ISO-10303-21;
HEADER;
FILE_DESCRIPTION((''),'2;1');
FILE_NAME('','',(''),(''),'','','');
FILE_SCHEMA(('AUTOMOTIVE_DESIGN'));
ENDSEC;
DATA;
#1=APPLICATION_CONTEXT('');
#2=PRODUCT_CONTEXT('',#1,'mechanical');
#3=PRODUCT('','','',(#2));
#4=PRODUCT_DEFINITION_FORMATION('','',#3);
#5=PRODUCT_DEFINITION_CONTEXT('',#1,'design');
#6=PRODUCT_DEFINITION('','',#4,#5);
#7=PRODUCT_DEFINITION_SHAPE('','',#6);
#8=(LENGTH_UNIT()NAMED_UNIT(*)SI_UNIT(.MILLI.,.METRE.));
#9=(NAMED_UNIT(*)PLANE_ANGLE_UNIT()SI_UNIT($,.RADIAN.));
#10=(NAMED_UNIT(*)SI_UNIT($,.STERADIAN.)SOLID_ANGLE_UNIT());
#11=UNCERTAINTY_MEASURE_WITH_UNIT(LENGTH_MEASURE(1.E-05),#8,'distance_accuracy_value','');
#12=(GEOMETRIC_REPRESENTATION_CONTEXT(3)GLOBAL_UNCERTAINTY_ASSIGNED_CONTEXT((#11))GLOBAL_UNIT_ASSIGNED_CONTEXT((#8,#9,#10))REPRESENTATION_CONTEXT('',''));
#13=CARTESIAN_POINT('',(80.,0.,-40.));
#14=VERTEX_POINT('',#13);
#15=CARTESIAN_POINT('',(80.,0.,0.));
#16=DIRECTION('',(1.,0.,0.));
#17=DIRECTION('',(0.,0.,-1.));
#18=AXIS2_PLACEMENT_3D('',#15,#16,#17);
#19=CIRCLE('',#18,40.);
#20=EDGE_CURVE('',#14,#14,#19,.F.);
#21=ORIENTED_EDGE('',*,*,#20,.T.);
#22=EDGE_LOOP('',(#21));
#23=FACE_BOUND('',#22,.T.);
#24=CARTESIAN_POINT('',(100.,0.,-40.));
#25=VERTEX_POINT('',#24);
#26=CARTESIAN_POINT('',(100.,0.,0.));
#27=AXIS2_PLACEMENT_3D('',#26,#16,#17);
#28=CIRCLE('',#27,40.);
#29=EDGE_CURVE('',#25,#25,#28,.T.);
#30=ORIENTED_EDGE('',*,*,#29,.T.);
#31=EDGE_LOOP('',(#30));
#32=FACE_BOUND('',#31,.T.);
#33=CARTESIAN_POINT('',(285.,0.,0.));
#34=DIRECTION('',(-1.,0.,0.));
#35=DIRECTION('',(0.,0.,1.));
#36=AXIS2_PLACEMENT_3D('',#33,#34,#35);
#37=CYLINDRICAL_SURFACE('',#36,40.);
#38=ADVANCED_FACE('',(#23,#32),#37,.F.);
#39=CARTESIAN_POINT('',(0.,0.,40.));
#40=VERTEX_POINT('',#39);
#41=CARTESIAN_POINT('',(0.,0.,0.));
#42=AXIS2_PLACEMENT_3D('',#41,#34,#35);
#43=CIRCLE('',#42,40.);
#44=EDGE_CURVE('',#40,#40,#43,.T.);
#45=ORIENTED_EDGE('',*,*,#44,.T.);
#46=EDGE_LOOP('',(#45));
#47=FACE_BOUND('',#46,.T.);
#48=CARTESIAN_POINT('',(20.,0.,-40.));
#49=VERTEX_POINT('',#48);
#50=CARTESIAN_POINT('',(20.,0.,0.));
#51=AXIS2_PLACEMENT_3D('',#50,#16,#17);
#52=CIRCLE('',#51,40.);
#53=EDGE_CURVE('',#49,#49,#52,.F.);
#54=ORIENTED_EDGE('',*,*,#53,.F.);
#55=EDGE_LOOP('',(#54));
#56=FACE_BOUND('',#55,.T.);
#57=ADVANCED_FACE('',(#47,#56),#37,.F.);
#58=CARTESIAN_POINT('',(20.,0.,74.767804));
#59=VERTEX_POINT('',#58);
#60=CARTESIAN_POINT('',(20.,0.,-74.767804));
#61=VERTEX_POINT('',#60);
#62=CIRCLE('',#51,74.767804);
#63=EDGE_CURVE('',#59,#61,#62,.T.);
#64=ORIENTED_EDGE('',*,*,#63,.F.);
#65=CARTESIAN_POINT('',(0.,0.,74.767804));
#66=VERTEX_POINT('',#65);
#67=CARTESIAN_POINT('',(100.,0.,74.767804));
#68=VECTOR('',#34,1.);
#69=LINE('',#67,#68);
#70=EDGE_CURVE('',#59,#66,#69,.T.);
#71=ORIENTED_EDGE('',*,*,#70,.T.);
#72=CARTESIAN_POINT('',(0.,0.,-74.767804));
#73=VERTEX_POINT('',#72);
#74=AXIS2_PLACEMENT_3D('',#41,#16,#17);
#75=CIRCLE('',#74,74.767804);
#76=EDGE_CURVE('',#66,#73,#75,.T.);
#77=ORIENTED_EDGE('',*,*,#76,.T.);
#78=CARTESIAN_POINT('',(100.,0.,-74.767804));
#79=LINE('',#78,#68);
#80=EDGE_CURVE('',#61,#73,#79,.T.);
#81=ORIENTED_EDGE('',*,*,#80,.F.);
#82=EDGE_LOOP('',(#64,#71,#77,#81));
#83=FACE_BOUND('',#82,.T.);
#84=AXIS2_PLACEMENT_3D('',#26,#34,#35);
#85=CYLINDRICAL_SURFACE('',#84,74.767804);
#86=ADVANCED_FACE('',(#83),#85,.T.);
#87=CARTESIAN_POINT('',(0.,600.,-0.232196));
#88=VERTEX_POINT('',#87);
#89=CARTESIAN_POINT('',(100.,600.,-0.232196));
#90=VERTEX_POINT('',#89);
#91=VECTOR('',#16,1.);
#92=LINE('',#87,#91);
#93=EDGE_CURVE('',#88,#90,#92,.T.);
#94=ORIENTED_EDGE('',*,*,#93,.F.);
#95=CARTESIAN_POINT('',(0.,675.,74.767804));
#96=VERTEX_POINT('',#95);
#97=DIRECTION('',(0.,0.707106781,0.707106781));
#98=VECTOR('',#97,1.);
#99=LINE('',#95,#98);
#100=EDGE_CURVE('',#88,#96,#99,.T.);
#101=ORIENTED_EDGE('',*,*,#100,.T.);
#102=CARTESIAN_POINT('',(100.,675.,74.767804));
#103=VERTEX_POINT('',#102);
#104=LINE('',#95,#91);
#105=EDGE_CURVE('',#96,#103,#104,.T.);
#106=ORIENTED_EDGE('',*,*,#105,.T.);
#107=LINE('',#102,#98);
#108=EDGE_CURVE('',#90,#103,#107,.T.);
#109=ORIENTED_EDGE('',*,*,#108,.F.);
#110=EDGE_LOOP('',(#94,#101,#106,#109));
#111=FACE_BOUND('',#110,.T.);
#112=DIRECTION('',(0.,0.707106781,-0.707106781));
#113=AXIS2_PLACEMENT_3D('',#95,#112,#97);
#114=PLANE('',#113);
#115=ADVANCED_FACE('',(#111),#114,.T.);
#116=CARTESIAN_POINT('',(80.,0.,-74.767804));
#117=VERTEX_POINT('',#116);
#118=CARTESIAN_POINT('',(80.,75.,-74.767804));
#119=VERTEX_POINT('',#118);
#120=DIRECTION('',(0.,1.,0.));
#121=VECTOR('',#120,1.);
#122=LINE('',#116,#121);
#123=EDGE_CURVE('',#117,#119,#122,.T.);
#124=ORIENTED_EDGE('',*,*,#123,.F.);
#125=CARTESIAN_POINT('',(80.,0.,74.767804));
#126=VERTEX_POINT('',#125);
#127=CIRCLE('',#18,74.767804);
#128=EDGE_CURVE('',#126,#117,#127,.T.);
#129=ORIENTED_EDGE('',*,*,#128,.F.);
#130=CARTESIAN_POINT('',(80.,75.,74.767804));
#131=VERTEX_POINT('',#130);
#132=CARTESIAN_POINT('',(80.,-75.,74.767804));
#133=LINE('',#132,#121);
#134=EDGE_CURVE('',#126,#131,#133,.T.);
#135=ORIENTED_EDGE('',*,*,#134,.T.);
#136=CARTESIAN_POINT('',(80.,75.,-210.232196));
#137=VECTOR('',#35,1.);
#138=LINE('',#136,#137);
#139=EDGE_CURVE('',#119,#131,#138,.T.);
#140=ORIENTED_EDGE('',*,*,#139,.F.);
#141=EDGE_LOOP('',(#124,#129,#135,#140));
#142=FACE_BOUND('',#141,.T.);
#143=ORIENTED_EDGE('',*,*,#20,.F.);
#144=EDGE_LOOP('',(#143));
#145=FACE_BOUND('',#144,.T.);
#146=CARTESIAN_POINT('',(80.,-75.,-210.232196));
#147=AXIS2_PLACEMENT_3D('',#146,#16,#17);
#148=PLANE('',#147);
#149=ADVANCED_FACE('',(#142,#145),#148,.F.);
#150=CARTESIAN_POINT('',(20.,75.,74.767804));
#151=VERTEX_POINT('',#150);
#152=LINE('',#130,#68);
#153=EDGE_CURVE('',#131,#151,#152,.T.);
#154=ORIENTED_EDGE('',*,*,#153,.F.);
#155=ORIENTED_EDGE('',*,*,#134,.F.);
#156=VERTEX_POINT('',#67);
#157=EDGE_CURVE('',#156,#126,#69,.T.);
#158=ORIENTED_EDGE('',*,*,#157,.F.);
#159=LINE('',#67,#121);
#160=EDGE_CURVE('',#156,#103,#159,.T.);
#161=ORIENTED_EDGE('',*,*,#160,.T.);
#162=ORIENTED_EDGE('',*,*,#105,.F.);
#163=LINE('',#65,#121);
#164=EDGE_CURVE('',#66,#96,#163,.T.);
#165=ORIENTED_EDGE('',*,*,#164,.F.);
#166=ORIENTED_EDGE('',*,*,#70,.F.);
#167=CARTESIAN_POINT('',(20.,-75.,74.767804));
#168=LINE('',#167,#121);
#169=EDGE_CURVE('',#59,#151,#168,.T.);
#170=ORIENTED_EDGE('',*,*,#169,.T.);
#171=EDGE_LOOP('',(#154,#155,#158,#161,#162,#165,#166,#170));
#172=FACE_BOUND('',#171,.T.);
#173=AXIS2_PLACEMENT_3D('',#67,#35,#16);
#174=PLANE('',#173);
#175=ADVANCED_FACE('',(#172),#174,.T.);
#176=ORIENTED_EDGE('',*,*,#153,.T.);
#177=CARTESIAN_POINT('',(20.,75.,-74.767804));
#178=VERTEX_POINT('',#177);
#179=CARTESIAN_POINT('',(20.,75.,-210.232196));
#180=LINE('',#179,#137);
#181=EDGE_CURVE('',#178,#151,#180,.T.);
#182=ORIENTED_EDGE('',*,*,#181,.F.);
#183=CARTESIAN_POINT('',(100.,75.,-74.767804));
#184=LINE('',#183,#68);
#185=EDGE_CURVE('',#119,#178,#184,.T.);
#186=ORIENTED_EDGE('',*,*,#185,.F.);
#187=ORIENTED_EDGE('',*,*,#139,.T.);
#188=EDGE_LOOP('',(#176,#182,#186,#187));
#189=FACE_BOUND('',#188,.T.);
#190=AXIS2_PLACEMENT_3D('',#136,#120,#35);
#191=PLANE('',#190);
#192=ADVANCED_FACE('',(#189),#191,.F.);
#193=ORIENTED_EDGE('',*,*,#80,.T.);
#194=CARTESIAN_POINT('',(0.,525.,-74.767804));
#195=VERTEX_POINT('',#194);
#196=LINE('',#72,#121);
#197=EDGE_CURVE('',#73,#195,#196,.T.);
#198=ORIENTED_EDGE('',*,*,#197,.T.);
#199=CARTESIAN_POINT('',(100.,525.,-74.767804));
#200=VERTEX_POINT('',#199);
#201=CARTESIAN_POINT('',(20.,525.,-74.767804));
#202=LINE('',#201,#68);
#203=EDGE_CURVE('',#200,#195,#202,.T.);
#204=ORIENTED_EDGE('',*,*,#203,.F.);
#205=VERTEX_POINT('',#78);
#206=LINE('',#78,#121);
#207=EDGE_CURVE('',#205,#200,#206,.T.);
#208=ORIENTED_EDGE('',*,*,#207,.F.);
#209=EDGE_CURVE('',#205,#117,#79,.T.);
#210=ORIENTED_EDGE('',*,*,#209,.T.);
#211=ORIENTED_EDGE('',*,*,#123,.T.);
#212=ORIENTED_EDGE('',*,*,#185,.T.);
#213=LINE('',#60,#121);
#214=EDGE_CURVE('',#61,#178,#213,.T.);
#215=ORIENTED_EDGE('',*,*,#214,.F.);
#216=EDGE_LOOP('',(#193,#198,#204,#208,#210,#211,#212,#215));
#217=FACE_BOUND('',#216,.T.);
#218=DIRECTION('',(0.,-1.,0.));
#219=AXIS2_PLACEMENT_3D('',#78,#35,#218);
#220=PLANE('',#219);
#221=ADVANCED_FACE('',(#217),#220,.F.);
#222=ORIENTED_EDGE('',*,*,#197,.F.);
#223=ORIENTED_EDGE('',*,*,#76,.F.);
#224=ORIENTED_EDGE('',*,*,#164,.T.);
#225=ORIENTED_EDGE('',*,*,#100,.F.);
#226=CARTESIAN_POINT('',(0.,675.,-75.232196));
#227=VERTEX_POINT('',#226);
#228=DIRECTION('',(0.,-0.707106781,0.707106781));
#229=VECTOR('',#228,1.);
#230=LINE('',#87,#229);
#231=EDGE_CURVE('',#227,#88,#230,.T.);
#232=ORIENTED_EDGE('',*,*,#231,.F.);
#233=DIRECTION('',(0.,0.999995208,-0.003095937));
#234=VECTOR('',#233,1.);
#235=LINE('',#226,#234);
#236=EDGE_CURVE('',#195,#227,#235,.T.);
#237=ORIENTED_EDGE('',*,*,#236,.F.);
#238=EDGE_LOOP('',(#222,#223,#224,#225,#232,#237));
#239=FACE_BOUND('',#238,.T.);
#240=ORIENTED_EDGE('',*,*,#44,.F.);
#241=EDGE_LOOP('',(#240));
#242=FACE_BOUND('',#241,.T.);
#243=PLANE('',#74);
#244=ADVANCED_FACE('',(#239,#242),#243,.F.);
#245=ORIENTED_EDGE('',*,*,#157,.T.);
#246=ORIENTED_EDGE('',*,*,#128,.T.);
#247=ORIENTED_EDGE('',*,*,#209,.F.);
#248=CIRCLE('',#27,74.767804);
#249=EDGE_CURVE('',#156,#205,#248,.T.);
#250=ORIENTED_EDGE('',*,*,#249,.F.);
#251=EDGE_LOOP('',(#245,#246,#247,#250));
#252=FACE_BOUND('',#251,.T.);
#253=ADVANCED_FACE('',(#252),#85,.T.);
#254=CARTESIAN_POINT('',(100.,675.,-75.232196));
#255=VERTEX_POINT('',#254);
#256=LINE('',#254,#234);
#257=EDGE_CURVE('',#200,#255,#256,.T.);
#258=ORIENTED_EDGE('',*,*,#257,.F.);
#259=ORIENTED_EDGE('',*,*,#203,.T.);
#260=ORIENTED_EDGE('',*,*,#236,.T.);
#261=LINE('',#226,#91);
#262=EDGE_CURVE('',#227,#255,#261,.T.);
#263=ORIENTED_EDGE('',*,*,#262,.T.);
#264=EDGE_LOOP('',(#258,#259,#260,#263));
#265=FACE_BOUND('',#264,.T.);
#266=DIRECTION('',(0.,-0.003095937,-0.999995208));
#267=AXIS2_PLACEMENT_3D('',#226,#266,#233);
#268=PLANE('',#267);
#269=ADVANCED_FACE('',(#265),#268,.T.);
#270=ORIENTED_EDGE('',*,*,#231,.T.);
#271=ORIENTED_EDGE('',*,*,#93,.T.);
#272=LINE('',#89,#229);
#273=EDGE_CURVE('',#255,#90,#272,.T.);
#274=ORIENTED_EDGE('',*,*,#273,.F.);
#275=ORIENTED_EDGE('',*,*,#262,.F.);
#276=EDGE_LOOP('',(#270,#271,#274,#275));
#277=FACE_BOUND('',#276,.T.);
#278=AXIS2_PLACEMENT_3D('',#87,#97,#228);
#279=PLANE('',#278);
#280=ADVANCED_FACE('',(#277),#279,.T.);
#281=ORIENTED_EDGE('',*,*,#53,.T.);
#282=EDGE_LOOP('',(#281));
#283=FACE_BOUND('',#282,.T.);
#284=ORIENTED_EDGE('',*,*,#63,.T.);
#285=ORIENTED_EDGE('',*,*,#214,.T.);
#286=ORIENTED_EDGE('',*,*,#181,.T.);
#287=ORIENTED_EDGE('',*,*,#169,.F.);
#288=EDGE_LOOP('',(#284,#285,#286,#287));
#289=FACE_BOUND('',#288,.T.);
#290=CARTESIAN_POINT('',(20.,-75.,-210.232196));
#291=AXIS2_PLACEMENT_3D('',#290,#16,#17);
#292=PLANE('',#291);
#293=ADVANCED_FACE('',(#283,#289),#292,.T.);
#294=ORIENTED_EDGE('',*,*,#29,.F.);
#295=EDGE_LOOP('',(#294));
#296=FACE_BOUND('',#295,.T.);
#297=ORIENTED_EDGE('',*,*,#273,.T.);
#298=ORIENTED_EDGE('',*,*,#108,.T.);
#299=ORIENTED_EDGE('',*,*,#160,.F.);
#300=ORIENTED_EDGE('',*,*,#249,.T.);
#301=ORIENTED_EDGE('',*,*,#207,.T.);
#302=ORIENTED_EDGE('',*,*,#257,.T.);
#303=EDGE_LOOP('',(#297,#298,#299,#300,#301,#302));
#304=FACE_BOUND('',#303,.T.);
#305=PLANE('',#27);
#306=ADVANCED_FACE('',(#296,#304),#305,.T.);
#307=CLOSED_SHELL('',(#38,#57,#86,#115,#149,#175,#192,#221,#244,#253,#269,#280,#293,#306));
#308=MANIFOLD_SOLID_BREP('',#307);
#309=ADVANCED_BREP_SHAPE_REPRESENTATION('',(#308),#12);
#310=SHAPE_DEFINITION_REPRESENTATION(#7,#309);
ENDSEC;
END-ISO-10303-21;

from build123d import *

# Parameters (mm, degrees)
BOSS_EXTRUDE1_DEPTH = 100
CUT_EXTRUDE2_DEPTH  = 20
CUT_EXTRUDE3_START  = -20
CUT_EXTRUDE3_DEPTH  = 20
SKETCH10_R          = 40
BOSS_EXTRUDE6_DEPTH = 20
BOSS_EXTRUDE7_START = 20
SKETCH11_R          = 40
BOSS_EXTRUDE7_DEPTH = 20
SKETCH19_R          = 40
CUT_EXTRUDE7_DEPTH  = 285
SKETCH16_W          = 60
SKETCH16_H          = 150
CUT_EXTRUDE8_DEPTH  = 285
SKETCH20_W          = 100
SKETCH20_H          = 295.959975124
CUT_EXTRUDE9_DEPTH  = 285
BOSS_EXTRUDE8_DEPTH = 100


with BuildPart() as part:
    # Sketch1 → Boss-Extrude1 (new body)
    with BuildSketch(Plane(origin=(0, 0, 0), x_dir=(0, 0, -1), z_dir=(1, 0, 0))):
        with BuildLine():
            Line((-74.767803634, 0), (-74.767803634, 600))
            ThreePointArc((-74.767803634, 600), (0, 674.767803634), (74.767803634, 600))
            Line((74.767803634, 600), (74.767803634, 0))
            ThreePointArc((74.767803634, 0), (0, -74.767803634), (-74.767803634, 0))
        make_face()
    extrude(amount=BOSS_EXTRUDE1_DEPTH)

    # Sketch8 → Cut-Extrude2 (cut)
    with BuildSketch(Plane.ZY):
        with BuildLine():
            Line((-74.767803634, 600), (-74.767803634, 525))
            Line((-74.767803634, 525), (74.767803634, 525))
            Line((74.767803634, 525), (74.767803634, 600))
            ThreePointArc((74.767803634, 600), (0, 674.767803634), (-74.767803634, 600))
        make_face()
    extrude(amount=-CUT_EXTRUDE2_DEPTH, mode=Mode.SUBTRACT)

    # Sketch7 → Cut-Extrude3 (cut)
    with BuildSketch(Plane(origin=(100, 0, 0), x_dir=(0, 0, -1), z_dir=(1, 0, 0)).offset(CUT_EXTRUDE3_START)):
        with BuildLine():
            Line((-74.767803634, 600), (-74.767803634, 525))
            Line((-74.767803634, 525), (74.767803634, 525))
            Line((74.767803634, 525), (74.767803634, 600))
            ThreePointArc((74.767803634, 600), (0, 674.767803634), (-74.767803634, 600))
        make_face()
    extrude(amount=CUT_EXTRUDE3_DEPTH, mode=Mode.SUBTRACT)

    # Sketch10 → Boss-Extrude6 (add)
    with BuildSketch(Plane(origin=(80, 0, 0), x_dir=(0, 0, -1), z_dir=(1, 0, 0))):
        with Locations(Location((0, 600, 0), (0, 0, 180))):
            Circle(SKETCH10_R)
    extrude(amount=BOSS_EXTRUDE6_DEPTH)

    # Sketch11 → Boss-Extrude7 (add)
    with BuildSketch(Plane.ZY.offset(-20).offset(BOSS_EXTRUDE7_START)):
        with Locations((0, 600)):
            Circle(SKETCH11_R)
    extrude(amount=-BOSS_EXTRUDE7_DEPTH)

    # Sketch19 → Cut-Extrude7 (cut)
    with BuildSketch(Plane.ZY):
        Circle(SKETCH19_R)
    extrude(amount=-CUT_EXTRUDE7_DEPTH, mode=Mode.SUBTRACT)

    # Sketch16 → Cut-Extrude8 (cut)
    with BuildSketch(Plane.XY.offset(74.767803634)):
        with Locations((50, 0)):
            Rectangle(SKETCH16_W, SKETCH16_H)
    extrude(amount=-CUT_EXTRUDE8_DEPTH, mode=Mode.SUBTRACT)

    # Sketch20 → Cut-Extrude9 (cut)
    with BuildSketch(Plane.XY.offset(74.767803634)):
        with Locations((50, 672.979987562)):
            Rectangle(SKETCH20_W, SKETCH20_H)
    extrude(amount=-CUT_EXTRUDE9_DEPTH, mode=Mode.SUBTRACT)

    # Sketch21 → Boss-Extrude8 (add)
    with BuildSketch(Plane(origin=(100, 0, 0), x_dir=(0, 0, -1), z_dir=(1, 0, 0))):
        Polygon((-74.767803634, 525), (-74.767803634, 675), (0.232196366, 600), (75.232196366, 675), (74.767803634, 525), align=None)
    extrude(amount=-BOSS_EXTRUDE8_DEPTH)


solid = part.part
